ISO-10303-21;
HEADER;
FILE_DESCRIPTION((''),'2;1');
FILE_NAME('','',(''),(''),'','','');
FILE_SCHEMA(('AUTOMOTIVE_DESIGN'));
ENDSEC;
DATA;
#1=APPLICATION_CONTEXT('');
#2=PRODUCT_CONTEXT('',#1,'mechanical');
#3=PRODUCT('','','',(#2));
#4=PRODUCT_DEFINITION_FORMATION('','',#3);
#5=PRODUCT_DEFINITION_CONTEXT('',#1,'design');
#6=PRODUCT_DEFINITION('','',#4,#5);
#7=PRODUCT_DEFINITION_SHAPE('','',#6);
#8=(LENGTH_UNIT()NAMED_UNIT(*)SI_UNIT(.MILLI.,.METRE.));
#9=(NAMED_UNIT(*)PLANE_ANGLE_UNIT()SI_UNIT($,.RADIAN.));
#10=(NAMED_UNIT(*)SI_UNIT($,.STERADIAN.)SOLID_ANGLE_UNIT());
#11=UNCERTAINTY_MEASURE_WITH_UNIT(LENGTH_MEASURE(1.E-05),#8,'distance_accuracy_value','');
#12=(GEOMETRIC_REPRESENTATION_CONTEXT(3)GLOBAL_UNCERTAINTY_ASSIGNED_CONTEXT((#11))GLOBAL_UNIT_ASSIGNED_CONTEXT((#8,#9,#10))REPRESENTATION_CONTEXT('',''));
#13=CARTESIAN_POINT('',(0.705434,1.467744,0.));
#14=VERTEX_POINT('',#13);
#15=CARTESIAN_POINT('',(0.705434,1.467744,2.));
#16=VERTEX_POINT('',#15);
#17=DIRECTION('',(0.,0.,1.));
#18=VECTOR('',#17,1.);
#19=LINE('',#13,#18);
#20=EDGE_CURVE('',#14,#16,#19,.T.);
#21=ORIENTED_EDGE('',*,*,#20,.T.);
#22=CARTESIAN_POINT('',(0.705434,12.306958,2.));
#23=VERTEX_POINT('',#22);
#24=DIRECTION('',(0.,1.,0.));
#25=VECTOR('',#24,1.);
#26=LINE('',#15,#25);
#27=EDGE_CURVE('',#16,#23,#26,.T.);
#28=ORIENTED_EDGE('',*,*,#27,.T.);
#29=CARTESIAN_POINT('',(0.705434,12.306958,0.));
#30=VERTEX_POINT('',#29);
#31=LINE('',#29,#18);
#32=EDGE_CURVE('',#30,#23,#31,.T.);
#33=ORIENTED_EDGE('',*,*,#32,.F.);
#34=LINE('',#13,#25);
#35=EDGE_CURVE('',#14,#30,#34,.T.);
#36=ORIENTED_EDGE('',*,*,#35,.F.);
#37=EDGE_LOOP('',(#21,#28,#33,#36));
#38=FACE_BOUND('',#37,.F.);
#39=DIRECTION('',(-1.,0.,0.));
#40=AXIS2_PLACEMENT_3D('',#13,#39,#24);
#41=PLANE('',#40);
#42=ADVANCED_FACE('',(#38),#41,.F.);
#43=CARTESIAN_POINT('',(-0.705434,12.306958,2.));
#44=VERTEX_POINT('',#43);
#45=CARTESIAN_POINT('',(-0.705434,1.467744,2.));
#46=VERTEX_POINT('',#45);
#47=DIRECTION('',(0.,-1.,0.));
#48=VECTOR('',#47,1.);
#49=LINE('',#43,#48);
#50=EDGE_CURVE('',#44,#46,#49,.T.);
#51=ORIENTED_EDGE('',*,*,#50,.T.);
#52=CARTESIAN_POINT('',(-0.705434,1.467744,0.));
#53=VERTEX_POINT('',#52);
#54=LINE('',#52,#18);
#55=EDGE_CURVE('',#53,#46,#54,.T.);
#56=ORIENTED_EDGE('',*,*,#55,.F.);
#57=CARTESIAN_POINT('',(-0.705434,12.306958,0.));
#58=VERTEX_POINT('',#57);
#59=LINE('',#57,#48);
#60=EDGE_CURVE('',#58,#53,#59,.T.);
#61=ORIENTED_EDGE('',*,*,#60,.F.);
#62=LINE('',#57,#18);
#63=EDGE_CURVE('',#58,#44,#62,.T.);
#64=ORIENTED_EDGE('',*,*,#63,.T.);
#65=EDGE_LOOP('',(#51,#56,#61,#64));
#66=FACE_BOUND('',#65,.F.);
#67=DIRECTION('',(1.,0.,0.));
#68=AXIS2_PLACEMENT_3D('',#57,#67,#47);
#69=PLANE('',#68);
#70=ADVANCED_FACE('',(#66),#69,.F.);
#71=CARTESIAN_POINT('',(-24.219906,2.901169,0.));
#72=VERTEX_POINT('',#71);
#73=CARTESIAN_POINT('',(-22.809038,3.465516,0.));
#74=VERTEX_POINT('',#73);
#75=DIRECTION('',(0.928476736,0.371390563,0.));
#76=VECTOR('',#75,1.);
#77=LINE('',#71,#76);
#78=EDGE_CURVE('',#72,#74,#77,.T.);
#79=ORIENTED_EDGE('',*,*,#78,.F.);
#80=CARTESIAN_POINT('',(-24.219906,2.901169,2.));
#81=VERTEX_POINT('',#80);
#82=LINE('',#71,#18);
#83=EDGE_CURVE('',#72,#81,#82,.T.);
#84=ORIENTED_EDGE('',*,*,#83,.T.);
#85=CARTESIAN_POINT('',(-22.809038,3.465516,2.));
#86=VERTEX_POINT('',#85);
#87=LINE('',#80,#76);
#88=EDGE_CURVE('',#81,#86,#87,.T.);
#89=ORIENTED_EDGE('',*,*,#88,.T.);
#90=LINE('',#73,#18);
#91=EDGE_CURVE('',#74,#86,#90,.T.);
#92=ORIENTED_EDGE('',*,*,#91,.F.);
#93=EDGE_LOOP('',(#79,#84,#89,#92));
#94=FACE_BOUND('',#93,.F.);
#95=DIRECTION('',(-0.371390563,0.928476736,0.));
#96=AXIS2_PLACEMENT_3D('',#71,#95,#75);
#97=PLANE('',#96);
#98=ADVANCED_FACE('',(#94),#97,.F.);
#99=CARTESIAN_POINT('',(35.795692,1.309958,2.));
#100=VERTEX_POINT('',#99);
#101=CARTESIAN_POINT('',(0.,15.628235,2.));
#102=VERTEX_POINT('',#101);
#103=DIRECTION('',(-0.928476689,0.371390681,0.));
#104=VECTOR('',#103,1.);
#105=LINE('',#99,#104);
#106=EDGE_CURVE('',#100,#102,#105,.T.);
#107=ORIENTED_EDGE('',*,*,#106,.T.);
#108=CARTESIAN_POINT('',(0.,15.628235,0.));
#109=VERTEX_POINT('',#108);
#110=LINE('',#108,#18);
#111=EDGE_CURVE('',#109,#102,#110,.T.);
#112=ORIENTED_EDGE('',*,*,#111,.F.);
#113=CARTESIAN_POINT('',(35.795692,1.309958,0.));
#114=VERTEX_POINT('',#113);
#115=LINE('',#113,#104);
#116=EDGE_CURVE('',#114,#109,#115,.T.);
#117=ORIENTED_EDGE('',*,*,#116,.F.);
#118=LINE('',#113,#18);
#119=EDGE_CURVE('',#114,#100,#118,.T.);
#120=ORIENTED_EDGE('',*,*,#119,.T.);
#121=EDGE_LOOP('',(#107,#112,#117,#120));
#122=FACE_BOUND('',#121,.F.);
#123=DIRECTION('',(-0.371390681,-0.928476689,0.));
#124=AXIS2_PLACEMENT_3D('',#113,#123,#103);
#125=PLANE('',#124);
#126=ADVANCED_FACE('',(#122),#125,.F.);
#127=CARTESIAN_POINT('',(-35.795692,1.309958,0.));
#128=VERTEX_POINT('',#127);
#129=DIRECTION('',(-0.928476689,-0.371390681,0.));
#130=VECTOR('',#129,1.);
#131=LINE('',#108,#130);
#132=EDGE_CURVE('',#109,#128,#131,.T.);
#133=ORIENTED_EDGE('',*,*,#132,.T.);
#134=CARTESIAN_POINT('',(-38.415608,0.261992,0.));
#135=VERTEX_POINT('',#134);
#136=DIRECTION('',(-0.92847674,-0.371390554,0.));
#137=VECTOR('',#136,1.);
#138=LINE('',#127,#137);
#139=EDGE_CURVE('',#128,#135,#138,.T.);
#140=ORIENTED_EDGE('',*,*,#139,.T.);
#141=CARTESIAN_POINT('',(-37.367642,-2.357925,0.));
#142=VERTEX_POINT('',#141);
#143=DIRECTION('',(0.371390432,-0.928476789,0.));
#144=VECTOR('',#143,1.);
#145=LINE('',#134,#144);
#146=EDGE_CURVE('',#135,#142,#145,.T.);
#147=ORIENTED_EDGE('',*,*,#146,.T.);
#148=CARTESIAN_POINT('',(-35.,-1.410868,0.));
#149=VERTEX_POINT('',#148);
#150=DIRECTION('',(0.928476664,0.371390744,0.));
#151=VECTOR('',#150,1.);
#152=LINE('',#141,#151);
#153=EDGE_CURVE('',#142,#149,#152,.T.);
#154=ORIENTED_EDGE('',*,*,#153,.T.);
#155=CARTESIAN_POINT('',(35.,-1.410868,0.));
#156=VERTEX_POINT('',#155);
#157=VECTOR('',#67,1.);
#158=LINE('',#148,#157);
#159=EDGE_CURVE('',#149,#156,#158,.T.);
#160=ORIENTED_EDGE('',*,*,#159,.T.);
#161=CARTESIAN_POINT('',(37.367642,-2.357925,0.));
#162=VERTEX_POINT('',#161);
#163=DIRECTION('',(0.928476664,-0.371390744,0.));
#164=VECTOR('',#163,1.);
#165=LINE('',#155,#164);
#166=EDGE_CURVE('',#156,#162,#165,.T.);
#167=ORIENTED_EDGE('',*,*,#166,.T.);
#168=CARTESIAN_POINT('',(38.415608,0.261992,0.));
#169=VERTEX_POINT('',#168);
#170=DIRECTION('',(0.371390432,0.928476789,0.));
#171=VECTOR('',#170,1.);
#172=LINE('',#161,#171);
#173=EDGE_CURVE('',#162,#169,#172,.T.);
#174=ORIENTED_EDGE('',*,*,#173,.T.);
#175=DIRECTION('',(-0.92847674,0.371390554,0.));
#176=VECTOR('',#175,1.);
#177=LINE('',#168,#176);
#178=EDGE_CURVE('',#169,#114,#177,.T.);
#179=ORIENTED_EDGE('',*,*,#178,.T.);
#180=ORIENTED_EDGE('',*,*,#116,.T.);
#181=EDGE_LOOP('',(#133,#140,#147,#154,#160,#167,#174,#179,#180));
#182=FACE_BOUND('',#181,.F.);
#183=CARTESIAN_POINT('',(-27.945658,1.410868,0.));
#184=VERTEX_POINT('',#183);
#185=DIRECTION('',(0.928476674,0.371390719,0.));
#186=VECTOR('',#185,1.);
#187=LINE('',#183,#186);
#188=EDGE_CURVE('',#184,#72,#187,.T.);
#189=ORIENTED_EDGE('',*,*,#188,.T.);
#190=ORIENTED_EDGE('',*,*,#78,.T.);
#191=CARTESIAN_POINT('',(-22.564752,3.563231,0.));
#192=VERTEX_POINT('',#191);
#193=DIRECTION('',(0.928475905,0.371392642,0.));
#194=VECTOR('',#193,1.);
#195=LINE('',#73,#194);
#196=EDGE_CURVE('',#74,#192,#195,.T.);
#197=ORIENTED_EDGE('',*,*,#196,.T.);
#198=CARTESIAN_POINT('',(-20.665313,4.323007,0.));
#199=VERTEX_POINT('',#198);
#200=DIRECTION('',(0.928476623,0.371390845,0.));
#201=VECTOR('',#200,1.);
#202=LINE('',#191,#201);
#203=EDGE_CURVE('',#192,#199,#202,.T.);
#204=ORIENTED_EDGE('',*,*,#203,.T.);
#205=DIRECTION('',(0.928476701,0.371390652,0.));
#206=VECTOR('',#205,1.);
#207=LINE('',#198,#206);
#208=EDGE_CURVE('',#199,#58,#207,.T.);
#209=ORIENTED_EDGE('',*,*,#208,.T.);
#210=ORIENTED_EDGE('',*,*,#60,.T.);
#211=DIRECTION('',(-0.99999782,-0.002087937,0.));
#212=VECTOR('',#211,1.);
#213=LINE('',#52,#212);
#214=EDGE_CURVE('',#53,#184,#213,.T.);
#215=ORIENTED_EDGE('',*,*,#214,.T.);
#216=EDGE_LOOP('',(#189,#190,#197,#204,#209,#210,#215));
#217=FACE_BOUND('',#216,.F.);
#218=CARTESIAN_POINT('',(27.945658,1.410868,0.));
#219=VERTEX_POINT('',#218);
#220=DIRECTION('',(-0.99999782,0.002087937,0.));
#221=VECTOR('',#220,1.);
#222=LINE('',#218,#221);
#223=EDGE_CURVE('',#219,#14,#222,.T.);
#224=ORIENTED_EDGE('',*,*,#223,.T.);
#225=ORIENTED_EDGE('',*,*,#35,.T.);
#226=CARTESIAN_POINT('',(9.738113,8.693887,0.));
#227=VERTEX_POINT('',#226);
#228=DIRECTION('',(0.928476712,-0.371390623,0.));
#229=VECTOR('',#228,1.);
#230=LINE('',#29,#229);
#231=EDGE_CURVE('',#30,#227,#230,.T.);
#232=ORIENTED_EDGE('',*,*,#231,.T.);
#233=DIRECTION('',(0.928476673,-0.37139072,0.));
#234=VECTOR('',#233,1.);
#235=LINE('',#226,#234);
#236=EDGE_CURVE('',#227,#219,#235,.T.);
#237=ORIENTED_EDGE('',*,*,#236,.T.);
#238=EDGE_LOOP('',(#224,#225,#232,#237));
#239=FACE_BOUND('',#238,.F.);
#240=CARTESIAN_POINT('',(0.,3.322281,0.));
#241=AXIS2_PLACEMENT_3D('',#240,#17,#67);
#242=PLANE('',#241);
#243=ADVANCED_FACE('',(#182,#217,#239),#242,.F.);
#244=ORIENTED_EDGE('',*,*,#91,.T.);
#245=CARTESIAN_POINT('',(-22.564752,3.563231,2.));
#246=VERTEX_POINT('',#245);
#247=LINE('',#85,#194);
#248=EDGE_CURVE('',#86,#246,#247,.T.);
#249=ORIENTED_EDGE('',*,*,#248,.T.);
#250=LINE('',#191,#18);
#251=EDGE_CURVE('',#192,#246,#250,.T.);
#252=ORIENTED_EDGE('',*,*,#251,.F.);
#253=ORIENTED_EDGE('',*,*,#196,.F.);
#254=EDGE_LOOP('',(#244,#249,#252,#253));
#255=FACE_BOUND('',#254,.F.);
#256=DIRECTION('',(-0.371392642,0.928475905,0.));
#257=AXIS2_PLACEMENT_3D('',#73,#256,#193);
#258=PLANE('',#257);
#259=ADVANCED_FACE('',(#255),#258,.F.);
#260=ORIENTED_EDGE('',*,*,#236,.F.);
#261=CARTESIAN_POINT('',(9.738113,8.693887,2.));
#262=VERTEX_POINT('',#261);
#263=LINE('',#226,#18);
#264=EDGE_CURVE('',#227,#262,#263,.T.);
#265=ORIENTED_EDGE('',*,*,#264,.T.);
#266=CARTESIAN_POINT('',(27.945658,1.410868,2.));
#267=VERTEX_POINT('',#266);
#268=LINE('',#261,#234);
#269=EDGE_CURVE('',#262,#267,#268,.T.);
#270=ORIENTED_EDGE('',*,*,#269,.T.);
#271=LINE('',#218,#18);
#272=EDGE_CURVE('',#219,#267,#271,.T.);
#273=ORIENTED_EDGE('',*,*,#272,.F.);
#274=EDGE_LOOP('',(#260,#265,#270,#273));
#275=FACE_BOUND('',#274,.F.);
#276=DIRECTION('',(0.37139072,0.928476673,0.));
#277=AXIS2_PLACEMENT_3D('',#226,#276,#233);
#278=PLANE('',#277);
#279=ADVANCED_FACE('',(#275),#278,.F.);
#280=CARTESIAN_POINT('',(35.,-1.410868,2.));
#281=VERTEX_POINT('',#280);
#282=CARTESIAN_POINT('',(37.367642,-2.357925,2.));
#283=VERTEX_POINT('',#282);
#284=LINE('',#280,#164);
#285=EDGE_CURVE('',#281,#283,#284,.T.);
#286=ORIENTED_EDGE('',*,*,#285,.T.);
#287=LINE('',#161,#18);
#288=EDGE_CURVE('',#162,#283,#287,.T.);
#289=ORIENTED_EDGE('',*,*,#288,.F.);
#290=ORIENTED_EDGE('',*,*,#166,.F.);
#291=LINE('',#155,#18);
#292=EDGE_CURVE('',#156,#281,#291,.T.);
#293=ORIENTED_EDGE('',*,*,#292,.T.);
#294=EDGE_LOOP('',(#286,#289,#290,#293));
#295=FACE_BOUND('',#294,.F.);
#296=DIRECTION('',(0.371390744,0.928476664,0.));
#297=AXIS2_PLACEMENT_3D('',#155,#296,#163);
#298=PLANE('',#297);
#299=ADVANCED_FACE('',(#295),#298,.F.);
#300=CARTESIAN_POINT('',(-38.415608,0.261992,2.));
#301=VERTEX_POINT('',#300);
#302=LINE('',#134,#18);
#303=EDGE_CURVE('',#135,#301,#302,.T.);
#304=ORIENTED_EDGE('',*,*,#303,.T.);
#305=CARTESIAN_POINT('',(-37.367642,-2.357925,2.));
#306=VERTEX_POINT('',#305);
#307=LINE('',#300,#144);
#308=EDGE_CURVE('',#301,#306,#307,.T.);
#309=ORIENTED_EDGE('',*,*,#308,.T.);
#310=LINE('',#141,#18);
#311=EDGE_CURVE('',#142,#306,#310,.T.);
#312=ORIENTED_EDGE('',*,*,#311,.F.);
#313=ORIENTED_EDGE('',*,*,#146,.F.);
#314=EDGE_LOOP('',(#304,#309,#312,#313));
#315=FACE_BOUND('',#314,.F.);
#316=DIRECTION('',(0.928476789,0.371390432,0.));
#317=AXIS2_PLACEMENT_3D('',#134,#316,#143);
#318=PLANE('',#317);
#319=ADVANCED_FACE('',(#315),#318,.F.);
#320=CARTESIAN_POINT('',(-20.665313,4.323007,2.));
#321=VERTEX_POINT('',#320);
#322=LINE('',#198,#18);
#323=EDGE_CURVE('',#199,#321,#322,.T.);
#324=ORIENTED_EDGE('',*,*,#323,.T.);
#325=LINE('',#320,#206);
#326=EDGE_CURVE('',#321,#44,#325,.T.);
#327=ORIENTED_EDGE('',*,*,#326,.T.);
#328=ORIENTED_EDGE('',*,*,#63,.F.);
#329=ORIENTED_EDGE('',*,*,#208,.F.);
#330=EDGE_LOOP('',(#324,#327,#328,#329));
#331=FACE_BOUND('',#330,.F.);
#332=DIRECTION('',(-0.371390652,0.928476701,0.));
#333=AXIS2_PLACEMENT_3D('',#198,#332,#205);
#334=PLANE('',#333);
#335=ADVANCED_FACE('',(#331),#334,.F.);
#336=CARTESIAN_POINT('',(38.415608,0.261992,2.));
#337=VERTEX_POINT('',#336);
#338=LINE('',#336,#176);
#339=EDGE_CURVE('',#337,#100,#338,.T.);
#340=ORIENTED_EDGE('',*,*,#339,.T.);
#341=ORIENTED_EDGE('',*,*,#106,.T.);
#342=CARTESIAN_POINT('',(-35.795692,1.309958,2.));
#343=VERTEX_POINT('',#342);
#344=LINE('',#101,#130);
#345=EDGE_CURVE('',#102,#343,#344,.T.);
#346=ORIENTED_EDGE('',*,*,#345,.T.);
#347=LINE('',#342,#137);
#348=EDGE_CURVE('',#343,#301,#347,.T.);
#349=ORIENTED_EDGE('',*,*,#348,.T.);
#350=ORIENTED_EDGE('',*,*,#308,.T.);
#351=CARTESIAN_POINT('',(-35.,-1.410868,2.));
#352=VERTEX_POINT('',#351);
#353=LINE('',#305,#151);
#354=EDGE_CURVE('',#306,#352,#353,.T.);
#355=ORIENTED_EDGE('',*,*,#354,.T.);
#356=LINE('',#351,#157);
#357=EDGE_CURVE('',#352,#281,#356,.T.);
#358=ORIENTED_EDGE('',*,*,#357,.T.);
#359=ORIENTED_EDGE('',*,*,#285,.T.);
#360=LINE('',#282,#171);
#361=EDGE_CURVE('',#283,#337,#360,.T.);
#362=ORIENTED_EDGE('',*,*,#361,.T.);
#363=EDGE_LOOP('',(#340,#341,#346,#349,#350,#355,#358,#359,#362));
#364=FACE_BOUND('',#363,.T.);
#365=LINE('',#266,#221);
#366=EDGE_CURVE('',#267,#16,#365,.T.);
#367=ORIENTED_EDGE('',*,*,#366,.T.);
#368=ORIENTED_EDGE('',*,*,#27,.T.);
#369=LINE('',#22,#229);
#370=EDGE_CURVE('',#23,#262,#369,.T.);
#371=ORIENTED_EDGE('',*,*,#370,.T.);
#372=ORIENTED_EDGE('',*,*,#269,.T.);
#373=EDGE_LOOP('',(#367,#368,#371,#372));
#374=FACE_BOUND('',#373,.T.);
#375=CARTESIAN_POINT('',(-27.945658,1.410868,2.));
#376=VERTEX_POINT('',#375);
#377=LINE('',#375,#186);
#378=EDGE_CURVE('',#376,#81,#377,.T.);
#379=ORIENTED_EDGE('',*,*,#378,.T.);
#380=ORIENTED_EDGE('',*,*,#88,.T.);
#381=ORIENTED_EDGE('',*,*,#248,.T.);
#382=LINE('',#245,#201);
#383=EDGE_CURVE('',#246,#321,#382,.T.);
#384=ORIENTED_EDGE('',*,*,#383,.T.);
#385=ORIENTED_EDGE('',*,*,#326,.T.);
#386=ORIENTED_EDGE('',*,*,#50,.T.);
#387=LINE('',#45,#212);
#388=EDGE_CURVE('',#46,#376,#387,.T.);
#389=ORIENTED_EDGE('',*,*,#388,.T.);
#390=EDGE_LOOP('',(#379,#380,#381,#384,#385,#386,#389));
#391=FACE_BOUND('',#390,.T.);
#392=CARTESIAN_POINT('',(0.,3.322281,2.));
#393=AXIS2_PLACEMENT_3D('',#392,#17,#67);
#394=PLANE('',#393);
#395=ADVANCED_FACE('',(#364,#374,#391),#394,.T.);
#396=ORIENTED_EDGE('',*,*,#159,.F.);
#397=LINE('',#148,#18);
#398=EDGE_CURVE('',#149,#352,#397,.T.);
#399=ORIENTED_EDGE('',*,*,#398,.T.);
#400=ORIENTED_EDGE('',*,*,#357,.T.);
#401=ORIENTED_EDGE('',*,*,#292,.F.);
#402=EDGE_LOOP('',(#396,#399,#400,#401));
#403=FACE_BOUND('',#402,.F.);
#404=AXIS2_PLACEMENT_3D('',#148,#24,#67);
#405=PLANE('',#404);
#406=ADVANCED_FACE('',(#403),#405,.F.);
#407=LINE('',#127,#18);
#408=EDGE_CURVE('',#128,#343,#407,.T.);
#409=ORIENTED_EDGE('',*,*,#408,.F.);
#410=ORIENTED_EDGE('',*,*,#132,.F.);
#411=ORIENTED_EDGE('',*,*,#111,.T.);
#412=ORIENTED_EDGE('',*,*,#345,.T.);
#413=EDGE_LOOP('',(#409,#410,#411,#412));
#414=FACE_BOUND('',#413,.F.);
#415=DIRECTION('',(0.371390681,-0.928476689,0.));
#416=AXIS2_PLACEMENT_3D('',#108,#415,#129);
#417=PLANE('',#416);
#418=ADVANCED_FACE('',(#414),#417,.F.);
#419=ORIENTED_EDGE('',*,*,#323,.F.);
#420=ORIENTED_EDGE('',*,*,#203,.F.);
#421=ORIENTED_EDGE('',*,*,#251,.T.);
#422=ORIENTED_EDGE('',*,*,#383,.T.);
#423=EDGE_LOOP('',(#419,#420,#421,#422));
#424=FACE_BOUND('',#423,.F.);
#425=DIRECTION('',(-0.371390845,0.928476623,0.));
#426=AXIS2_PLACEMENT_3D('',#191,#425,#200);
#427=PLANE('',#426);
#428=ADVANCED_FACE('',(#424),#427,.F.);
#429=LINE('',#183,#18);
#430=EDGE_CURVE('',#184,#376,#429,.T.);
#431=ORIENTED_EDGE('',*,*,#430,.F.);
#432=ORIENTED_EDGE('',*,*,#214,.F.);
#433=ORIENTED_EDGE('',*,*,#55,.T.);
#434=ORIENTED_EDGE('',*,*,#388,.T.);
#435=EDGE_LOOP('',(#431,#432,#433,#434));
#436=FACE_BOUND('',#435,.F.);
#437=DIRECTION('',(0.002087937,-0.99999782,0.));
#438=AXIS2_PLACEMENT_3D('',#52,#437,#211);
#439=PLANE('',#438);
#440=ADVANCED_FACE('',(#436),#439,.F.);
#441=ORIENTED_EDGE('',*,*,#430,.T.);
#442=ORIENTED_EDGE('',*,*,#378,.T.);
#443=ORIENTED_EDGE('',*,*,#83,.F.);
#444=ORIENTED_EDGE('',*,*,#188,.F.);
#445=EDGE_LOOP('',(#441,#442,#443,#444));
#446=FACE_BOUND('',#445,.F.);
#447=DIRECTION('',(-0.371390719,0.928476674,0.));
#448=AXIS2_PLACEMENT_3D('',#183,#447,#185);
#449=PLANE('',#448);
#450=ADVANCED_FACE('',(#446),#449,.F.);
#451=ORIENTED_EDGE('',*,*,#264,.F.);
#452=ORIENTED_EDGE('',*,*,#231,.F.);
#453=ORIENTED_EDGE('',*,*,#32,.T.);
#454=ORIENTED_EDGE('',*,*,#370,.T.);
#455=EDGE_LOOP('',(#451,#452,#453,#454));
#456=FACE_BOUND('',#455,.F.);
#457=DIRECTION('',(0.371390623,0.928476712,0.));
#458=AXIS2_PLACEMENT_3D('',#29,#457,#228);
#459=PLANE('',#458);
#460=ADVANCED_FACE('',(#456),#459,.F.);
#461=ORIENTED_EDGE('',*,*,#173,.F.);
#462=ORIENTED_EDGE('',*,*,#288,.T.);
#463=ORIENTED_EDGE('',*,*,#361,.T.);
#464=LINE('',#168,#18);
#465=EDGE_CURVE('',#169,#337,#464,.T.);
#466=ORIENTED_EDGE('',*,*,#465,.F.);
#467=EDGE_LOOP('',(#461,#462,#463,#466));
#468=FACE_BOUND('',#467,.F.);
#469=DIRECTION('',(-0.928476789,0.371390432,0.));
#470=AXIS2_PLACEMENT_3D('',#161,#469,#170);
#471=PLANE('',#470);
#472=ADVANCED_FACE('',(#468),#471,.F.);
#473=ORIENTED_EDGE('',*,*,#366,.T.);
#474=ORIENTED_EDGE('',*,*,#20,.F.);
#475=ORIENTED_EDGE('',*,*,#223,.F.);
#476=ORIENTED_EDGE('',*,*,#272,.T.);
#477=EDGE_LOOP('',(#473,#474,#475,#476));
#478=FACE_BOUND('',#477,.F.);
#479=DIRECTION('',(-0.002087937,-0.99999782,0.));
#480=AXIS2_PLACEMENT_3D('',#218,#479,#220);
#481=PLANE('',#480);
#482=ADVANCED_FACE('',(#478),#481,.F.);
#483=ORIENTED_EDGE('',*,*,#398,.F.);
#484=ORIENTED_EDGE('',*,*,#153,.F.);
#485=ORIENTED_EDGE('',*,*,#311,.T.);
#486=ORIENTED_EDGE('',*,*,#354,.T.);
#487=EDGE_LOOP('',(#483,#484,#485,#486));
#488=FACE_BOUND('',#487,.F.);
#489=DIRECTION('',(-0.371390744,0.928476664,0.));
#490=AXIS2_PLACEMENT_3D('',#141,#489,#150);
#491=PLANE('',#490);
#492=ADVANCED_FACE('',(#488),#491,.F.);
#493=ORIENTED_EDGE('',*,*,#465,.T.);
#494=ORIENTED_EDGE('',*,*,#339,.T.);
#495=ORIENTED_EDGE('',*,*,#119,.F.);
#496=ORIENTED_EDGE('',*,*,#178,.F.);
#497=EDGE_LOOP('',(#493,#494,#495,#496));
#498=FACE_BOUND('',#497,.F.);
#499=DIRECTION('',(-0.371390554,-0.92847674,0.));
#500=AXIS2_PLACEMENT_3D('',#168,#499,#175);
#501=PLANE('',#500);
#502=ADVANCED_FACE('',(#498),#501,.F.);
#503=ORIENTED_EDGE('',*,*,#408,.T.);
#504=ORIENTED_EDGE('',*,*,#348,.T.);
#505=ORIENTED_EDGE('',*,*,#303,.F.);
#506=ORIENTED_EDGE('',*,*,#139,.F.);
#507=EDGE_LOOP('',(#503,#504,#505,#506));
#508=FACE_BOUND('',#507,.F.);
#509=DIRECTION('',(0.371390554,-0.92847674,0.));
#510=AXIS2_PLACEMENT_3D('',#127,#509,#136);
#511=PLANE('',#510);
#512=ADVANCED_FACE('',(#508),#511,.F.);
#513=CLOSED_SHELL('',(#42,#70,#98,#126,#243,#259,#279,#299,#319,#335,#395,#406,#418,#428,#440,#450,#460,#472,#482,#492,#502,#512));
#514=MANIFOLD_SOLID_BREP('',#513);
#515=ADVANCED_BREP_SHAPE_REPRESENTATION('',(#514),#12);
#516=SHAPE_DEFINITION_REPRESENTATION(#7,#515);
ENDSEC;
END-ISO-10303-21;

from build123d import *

# Parameters (mm, degrees)
F1_DEPTH = 2


with BuildPart() as f1:
    # F0 (on Top) → F1 (new body)
    with BuildSketch(Plane.XY):
        Polygon((35.795692, 1.309958), (0, 15.628235), (-35.795692, 1.309958), (-38.415608, 0.261992), (-37.367642, -2.357925), (-35, -1.410868), (-31.472829, -1.410868), (31.472829, -1.410868), (35, -1.410868), (37.367642, -2.357925), (38.415608, 0.261992), align=None)
        Polygon((-0.705434, 12.306958), (-0.705434, 1.467744), (-27.945658, 1.410868), (-24.219906, 2.901169), (-22.809038, 3.465516), (-22.564752, 3.563231), (-20.665313, 4.323007), align=None, mode=Mode.SUBTRACT)
        Polygon((0.705434, 1.467744), (0.705434, 12.306958), (9.738113, 8.693887), (27.945658, 1.410868), align=None, mode=Mode.SUBTRACT)
    extrude(amount=F1_DEPTH)


solid = f1.part
